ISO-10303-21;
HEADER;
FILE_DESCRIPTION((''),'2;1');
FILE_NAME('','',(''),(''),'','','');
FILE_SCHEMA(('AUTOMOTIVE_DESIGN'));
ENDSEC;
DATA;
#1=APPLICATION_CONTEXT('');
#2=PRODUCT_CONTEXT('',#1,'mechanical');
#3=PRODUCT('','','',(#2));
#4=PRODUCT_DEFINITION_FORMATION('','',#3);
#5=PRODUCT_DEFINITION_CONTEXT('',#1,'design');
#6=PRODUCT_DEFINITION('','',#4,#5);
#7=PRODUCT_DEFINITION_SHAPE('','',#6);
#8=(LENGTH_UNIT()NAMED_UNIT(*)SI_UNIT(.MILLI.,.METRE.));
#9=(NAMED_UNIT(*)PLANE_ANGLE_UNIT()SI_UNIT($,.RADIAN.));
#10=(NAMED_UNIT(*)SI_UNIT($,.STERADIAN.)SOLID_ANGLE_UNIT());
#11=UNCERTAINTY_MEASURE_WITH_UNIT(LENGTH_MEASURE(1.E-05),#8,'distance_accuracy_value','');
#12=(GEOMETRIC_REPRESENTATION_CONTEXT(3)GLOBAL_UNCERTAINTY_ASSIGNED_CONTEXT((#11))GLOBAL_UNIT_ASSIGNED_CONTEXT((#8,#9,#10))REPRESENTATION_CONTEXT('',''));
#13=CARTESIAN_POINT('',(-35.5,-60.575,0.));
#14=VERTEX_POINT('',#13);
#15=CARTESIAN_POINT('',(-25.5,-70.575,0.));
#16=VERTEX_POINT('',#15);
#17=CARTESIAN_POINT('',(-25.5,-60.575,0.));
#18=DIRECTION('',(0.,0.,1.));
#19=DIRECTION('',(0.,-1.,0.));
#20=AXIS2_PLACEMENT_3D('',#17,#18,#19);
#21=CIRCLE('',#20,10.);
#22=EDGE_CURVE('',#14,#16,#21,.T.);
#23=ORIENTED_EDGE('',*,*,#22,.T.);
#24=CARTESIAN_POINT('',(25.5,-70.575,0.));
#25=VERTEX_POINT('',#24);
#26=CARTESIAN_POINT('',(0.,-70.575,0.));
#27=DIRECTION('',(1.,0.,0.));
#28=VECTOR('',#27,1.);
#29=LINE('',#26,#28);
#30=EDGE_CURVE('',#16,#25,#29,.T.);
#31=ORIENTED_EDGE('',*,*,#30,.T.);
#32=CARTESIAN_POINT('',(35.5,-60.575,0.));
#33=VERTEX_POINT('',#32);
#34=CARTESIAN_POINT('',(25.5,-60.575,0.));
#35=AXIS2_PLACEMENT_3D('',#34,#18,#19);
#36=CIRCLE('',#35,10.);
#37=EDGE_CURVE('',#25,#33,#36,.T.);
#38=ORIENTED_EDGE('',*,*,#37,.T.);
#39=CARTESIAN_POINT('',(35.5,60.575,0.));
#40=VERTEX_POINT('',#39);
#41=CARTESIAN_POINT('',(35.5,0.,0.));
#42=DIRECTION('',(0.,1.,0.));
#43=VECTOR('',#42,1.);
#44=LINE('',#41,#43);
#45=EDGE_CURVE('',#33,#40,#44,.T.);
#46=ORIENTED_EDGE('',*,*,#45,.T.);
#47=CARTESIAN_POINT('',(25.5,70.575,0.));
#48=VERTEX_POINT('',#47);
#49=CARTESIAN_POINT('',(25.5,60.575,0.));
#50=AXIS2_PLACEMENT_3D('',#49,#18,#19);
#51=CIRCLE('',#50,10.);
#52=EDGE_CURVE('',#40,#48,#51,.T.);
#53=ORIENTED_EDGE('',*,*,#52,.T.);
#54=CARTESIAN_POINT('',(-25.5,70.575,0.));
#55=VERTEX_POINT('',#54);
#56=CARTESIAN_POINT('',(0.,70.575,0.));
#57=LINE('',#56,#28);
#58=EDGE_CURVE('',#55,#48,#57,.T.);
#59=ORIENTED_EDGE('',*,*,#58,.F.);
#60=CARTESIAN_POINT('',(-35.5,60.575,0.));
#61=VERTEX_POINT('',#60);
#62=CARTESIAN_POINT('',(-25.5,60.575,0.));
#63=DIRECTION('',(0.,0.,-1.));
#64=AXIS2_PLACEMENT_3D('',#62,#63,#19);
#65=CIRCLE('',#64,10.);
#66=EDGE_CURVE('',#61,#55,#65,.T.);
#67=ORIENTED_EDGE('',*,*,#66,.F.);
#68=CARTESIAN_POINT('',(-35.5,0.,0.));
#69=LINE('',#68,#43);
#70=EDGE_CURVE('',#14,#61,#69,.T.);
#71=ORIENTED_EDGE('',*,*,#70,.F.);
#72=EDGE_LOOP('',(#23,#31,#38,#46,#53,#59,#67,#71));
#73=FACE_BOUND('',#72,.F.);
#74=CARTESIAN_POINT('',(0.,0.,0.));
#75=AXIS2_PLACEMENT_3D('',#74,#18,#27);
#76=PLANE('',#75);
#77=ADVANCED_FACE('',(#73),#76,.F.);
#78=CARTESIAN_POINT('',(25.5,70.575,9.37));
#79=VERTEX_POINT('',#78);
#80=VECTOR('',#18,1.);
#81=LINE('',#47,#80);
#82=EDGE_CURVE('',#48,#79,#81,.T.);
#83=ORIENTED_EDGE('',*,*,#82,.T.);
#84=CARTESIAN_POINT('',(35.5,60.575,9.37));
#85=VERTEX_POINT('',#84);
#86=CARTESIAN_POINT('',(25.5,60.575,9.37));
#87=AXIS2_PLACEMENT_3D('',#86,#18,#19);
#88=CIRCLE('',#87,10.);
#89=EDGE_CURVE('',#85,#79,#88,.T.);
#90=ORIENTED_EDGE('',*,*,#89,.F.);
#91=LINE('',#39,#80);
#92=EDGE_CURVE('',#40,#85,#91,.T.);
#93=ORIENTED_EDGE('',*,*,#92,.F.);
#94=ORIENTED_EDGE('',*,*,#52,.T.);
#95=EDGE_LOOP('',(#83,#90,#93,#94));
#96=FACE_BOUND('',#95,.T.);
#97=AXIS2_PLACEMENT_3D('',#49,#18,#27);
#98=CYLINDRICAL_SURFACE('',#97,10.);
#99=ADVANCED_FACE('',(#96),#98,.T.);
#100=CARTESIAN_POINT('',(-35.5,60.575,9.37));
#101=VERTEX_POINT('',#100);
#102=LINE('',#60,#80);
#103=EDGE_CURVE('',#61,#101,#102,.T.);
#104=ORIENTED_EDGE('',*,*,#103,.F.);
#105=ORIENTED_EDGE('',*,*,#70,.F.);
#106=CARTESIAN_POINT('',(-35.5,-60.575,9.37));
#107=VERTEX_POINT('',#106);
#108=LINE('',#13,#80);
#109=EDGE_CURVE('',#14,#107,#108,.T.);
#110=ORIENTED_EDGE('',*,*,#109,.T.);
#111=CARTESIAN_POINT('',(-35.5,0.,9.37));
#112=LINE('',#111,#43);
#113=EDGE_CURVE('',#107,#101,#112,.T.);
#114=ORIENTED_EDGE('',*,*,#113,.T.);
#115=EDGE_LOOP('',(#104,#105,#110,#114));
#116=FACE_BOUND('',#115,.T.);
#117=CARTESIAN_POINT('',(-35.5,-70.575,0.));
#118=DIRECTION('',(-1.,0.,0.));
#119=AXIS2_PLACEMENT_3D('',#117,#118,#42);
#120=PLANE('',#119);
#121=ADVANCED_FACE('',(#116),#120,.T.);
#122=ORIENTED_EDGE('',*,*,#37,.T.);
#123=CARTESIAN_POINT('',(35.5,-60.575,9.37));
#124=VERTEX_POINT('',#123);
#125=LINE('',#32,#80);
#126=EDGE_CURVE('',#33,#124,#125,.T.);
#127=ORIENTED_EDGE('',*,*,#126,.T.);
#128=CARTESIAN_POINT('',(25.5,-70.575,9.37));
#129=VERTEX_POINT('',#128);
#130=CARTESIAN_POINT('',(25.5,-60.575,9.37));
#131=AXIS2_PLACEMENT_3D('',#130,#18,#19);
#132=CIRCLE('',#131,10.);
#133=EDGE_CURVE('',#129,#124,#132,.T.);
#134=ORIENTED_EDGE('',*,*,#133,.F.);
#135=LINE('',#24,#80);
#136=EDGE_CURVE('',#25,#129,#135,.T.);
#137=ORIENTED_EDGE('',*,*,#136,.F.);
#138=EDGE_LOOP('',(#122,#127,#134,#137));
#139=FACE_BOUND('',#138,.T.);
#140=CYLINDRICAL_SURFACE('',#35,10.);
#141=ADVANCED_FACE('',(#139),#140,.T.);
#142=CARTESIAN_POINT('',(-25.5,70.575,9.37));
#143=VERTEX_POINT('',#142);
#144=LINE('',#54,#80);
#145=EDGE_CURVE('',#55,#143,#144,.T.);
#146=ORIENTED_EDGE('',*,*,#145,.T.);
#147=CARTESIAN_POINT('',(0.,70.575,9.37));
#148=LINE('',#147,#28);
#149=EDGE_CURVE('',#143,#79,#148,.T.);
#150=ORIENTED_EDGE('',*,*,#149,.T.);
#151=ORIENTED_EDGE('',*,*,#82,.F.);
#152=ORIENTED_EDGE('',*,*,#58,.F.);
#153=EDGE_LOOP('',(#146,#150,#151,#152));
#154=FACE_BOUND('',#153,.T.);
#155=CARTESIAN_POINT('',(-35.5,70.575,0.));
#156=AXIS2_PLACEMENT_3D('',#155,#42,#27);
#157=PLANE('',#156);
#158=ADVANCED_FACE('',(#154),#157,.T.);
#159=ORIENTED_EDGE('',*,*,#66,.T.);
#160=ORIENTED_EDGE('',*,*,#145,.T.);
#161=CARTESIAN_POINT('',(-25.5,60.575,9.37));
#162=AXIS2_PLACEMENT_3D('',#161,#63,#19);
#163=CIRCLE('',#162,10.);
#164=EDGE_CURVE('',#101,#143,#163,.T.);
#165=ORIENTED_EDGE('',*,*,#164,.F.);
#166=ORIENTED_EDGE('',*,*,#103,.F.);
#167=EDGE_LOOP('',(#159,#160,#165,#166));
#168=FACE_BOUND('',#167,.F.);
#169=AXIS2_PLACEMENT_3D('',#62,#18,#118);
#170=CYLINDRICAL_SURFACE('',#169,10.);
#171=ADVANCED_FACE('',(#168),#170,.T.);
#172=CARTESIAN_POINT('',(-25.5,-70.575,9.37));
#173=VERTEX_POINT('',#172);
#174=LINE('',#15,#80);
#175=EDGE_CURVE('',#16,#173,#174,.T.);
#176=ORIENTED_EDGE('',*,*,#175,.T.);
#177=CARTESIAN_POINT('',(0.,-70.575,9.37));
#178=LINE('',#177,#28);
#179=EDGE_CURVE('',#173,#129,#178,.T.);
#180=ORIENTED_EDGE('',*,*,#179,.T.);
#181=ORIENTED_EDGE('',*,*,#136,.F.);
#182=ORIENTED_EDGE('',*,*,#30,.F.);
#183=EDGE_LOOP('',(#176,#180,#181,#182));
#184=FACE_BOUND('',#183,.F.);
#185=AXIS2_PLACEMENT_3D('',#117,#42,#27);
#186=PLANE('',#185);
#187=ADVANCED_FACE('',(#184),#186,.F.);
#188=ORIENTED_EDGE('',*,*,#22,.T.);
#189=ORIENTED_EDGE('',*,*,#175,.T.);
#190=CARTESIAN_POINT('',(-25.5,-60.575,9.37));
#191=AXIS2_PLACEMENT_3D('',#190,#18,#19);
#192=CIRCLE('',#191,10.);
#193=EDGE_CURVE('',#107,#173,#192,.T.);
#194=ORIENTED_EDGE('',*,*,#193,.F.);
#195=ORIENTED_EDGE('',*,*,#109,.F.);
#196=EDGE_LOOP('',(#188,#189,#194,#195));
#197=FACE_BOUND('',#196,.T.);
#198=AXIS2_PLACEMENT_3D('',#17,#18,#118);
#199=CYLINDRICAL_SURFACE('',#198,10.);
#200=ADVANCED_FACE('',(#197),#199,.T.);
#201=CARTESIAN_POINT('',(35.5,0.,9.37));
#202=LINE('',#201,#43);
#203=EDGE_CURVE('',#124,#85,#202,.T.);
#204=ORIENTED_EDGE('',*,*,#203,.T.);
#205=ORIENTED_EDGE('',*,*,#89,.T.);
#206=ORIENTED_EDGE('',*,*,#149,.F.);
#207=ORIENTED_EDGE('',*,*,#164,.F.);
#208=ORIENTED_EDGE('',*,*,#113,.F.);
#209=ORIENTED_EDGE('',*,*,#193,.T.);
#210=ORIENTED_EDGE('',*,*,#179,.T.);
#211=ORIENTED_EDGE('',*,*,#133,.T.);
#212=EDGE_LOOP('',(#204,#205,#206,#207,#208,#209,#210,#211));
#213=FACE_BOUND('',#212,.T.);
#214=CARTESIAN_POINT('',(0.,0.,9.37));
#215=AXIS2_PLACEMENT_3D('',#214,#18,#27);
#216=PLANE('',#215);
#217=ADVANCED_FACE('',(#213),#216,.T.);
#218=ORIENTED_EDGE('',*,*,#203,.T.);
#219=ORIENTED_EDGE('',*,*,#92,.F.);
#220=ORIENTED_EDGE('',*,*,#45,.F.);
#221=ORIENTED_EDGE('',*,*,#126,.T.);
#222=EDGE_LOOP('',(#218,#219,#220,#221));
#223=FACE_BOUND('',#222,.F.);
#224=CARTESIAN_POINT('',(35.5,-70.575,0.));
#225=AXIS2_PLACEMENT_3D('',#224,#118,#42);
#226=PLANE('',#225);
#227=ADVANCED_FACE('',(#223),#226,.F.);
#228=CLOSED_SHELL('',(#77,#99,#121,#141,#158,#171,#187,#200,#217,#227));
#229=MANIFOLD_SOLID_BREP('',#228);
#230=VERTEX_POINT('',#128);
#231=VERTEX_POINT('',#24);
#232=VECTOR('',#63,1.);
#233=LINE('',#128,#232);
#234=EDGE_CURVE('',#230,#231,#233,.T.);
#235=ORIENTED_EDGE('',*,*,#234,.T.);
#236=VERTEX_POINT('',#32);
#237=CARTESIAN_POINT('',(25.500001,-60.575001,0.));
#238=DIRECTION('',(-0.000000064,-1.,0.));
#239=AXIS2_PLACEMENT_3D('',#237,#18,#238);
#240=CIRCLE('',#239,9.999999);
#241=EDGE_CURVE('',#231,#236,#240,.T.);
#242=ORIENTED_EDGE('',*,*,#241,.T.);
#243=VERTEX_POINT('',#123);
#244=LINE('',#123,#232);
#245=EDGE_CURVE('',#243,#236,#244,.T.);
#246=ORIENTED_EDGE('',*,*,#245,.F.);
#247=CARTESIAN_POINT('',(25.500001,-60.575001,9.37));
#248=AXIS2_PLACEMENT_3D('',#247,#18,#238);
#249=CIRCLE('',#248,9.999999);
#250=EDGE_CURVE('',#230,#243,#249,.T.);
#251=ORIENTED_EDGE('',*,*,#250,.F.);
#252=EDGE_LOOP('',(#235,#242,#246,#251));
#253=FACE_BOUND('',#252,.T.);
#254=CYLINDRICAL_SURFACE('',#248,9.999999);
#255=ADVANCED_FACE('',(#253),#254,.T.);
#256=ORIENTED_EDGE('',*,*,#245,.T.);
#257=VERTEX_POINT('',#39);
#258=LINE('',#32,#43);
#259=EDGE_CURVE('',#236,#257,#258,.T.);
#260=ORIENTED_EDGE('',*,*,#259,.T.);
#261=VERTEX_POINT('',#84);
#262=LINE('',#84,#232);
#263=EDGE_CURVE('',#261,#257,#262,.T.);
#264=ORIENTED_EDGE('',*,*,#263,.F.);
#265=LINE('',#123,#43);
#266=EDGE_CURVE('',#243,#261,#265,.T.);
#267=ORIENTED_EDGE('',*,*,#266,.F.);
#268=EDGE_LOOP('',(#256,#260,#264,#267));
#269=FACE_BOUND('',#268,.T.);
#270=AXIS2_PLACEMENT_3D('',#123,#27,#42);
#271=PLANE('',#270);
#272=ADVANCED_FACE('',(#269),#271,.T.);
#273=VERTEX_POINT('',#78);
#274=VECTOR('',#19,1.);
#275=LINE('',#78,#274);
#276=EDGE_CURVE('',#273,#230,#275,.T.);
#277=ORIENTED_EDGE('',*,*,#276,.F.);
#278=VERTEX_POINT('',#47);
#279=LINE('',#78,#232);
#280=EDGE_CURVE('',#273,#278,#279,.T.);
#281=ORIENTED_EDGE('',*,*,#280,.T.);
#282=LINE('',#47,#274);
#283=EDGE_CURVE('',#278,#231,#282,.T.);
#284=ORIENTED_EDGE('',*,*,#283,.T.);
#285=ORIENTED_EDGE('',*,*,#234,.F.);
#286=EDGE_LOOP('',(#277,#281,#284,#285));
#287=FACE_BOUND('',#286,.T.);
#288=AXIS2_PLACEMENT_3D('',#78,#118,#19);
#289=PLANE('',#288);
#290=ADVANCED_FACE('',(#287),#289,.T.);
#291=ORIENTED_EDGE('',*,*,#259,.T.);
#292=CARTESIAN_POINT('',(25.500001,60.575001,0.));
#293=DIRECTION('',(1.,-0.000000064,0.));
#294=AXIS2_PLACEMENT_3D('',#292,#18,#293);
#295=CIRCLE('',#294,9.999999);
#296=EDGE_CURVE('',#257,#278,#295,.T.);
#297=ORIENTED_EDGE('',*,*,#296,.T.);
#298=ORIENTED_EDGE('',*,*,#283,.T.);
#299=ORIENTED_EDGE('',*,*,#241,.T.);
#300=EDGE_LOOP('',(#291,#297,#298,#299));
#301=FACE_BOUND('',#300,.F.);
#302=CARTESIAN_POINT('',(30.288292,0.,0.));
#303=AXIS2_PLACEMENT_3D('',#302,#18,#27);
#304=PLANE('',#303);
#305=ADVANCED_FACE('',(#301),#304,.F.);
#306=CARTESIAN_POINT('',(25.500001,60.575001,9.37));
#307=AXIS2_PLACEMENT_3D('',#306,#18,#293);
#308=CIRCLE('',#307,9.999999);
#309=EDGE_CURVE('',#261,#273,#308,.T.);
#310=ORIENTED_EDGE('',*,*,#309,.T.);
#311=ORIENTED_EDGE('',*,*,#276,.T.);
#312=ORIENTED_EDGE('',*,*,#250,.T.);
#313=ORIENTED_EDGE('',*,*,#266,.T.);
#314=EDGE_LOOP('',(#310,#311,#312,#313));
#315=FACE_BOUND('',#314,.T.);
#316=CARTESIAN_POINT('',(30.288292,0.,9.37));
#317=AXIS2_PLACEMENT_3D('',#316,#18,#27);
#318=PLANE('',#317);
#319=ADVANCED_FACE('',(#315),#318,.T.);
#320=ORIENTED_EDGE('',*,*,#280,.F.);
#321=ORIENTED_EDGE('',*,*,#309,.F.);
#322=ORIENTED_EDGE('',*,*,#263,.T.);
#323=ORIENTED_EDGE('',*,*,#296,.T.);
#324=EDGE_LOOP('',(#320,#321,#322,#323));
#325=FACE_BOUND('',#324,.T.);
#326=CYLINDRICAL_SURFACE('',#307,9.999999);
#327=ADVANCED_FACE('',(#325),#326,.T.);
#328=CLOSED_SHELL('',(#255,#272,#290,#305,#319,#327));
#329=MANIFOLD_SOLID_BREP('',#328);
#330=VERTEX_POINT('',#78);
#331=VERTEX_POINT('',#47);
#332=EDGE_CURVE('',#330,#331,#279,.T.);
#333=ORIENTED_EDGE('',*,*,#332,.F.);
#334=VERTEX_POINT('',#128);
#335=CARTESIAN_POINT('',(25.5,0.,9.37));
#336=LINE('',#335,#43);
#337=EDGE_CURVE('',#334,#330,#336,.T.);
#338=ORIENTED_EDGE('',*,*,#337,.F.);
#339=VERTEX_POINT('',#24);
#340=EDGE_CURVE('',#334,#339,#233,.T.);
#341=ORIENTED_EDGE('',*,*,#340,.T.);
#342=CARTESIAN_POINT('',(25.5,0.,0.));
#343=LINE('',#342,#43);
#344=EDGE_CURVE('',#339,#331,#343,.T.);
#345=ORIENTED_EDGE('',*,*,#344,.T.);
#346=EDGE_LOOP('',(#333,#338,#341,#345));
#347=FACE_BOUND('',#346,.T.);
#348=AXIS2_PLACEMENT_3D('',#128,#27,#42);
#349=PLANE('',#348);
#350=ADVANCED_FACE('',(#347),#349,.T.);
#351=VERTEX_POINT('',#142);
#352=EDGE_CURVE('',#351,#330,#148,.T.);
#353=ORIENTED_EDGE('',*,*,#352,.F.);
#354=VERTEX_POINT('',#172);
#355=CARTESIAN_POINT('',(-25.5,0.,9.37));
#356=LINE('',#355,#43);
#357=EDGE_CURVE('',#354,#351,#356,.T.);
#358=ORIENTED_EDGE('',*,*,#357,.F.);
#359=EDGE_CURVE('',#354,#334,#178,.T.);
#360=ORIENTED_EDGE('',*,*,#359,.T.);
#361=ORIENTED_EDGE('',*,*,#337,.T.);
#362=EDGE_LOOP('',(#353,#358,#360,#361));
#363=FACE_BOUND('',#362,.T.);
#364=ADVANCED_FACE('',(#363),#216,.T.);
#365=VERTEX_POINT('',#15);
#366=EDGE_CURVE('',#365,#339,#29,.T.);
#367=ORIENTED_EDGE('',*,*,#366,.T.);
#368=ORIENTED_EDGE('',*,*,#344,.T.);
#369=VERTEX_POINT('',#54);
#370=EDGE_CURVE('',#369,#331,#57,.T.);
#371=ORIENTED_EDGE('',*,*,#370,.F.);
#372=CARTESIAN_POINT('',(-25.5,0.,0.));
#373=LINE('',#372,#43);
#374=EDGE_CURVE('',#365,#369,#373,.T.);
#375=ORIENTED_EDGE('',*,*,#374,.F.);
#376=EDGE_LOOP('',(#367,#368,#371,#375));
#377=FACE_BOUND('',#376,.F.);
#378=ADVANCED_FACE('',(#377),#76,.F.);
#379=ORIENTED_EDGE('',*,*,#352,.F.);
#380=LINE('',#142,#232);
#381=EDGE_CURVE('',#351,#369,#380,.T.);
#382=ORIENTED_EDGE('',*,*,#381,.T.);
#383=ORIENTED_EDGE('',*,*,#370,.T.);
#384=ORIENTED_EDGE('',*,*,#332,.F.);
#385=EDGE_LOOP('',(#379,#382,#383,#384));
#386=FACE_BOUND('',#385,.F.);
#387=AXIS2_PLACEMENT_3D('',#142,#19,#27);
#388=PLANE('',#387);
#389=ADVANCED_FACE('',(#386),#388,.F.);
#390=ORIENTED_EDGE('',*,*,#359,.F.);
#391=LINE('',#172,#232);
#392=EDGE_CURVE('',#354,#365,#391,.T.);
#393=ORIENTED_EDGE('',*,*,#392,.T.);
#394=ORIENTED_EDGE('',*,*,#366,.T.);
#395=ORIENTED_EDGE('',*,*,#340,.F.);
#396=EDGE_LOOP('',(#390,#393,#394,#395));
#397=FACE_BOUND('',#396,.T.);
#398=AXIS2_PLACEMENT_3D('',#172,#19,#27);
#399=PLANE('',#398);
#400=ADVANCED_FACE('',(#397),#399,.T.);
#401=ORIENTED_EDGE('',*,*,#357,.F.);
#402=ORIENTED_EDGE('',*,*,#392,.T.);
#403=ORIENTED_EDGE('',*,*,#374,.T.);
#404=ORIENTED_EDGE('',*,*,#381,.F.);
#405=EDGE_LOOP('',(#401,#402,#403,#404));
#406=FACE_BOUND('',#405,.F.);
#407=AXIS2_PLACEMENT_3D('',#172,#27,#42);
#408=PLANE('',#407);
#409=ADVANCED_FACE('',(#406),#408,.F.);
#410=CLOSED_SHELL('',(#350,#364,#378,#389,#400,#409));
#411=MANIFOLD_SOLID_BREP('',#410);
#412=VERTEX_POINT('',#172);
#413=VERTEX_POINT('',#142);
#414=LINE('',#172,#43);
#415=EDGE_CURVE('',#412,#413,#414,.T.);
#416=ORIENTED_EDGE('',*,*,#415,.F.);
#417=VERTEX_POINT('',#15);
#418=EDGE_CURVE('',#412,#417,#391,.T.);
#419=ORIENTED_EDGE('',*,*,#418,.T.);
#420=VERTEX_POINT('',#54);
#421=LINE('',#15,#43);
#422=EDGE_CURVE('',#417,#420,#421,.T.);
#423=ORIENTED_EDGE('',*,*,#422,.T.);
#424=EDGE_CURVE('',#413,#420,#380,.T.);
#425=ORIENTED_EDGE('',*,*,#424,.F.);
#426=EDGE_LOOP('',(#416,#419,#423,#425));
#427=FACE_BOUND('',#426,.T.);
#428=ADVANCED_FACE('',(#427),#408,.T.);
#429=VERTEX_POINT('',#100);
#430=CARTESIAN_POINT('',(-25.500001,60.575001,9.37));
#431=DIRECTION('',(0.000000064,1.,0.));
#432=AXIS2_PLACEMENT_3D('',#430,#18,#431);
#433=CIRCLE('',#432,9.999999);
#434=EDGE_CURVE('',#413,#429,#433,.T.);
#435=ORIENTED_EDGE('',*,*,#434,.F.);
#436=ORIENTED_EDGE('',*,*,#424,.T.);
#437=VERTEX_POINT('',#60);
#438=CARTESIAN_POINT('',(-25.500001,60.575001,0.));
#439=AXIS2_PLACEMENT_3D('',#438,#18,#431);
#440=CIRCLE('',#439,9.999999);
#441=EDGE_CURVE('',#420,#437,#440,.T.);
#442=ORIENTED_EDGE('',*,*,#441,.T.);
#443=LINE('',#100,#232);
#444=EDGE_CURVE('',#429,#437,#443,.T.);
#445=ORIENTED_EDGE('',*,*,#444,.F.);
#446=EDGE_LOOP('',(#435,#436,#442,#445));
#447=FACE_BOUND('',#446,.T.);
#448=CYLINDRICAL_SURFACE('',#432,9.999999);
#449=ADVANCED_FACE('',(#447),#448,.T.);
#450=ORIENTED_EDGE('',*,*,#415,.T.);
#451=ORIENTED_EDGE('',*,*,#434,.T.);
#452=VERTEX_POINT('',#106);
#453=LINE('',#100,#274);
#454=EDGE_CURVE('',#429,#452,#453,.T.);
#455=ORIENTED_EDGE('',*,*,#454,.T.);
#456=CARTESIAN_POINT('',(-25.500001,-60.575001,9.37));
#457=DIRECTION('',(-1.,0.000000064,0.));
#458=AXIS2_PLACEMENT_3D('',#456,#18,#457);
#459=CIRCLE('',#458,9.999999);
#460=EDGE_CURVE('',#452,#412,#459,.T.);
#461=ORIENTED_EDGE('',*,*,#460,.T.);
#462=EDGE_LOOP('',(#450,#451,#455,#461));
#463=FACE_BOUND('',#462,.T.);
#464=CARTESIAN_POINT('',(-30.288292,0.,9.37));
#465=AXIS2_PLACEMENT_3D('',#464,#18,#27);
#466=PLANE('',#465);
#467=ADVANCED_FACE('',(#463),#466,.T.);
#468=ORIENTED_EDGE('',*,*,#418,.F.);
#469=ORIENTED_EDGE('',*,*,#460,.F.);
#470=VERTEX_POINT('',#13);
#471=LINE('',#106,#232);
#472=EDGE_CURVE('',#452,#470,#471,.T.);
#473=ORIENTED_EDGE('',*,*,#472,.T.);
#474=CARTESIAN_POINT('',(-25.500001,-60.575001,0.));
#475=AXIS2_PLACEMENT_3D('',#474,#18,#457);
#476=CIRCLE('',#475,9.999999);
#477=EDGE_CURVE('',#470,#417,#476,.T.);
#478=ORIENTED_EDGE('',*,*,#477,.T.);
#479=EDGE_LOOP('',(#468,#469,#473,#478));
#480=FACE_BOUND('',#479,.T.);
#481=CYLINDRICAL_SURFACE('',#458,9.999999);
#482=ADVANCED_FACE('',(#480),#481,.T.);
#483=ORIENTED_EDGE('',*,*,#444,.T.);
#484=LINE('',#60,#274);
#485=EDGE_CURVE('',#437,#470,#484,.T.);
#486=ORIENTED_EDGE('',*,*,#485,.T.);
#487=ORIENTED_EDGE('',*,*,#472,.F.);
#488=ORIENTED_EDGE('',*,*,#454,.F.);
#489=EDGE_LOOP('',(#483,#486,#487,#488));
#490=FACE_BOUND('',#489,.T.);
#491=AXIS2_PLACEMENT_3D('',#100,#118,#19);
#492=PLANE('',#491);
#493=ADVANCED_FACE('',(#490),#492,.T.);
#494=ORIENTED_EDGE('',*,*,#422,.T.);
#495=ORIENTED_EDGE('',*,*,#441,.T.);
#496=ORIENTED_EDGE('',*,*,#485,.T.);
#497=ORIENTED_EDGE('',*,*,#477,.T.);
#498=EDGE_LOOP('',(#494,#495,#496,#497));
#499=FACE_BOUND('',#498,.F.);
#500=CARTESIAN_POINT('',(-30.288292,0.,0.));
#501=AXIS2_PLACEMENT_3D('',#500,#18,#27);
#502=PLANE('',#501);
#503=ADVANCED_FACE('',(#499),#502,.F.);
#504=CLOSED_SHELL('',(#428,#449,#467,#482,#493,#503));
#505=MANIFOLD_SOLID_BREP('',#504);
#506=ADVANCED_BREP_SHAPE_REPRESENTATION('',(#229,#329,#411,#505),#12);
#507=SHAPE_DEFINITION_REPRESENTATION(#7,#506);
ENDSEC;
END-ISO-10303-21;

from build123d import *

# Parameters (mm, degrees)
F0_W     = 71
F0_H     = 141.15
F1_DEPTH = 9.37
F2_R     = 10
F4_DEPTH = 9.37
F3_W     = 51
F3_H     = 141.15
F5_DEPTH = 9.37


with BuildPart() as f1:
    # F0 (on Top) → F1 (new body)
    with BuildSketch(Plane.XY):
        Rectangle(F0_W, F0_H)
    extrude(amount=F1_DEPTH)

    # F2
    f2_edges = [f1.edges().sort_by_distance(p)[0] for p in [
        (35.5, -70.575, 4.685),
        (-35.5, -70.575, 4.685),
        (35.5, 70.575, 4.685),
        (-35.5, 70.575, 4.685),
    ]]
    fillet(f2_edges, radius=F2_R)


with BuildPart() as f4:
    # F3 (on face) → F4 (new body)
    with BuildSketch(Plane.XY.offset(9.37)):
        with BuildLine():
            Line((-25.5, -70.575), (-25.5, 70.575))
            ThreePointArc((-25.5, 70.575), (-32.571068, 67.646068), (-35.5, 60.575))
            Line((-35.5, 60.575), (-35.5, -60.575))
            ThreePointArc((-35.5, -60.575), (-32.571068, -67.646068), (-25.5, -70.575))
        make_face()
        with BuildLine():
            ThreePointArc((35.5, 60.575), (32.571068, 67.646068), (25.5, 70.575))
            Line((25.5, 70.575), (25.5, -70.575))
            ThreePointArc((25.5, -70.575), (32.571068, -67.646068), (35.5, -60.575))
            Line((35.5, -60.575), (35.5, 60.575))
        make_face()
    extrude(amount=-F4_DEPTH)


with BuildPart() as f5:
    # F3 (on face) → F5 (new body)
    with BuildSketch(Plane.XY.offset(9.37)):
        Rectangle(F3_W, F3_H)
    extrude(amount=-F5_DEPTH)


solid = Compound([f1.part, f4.part, f5.part])
